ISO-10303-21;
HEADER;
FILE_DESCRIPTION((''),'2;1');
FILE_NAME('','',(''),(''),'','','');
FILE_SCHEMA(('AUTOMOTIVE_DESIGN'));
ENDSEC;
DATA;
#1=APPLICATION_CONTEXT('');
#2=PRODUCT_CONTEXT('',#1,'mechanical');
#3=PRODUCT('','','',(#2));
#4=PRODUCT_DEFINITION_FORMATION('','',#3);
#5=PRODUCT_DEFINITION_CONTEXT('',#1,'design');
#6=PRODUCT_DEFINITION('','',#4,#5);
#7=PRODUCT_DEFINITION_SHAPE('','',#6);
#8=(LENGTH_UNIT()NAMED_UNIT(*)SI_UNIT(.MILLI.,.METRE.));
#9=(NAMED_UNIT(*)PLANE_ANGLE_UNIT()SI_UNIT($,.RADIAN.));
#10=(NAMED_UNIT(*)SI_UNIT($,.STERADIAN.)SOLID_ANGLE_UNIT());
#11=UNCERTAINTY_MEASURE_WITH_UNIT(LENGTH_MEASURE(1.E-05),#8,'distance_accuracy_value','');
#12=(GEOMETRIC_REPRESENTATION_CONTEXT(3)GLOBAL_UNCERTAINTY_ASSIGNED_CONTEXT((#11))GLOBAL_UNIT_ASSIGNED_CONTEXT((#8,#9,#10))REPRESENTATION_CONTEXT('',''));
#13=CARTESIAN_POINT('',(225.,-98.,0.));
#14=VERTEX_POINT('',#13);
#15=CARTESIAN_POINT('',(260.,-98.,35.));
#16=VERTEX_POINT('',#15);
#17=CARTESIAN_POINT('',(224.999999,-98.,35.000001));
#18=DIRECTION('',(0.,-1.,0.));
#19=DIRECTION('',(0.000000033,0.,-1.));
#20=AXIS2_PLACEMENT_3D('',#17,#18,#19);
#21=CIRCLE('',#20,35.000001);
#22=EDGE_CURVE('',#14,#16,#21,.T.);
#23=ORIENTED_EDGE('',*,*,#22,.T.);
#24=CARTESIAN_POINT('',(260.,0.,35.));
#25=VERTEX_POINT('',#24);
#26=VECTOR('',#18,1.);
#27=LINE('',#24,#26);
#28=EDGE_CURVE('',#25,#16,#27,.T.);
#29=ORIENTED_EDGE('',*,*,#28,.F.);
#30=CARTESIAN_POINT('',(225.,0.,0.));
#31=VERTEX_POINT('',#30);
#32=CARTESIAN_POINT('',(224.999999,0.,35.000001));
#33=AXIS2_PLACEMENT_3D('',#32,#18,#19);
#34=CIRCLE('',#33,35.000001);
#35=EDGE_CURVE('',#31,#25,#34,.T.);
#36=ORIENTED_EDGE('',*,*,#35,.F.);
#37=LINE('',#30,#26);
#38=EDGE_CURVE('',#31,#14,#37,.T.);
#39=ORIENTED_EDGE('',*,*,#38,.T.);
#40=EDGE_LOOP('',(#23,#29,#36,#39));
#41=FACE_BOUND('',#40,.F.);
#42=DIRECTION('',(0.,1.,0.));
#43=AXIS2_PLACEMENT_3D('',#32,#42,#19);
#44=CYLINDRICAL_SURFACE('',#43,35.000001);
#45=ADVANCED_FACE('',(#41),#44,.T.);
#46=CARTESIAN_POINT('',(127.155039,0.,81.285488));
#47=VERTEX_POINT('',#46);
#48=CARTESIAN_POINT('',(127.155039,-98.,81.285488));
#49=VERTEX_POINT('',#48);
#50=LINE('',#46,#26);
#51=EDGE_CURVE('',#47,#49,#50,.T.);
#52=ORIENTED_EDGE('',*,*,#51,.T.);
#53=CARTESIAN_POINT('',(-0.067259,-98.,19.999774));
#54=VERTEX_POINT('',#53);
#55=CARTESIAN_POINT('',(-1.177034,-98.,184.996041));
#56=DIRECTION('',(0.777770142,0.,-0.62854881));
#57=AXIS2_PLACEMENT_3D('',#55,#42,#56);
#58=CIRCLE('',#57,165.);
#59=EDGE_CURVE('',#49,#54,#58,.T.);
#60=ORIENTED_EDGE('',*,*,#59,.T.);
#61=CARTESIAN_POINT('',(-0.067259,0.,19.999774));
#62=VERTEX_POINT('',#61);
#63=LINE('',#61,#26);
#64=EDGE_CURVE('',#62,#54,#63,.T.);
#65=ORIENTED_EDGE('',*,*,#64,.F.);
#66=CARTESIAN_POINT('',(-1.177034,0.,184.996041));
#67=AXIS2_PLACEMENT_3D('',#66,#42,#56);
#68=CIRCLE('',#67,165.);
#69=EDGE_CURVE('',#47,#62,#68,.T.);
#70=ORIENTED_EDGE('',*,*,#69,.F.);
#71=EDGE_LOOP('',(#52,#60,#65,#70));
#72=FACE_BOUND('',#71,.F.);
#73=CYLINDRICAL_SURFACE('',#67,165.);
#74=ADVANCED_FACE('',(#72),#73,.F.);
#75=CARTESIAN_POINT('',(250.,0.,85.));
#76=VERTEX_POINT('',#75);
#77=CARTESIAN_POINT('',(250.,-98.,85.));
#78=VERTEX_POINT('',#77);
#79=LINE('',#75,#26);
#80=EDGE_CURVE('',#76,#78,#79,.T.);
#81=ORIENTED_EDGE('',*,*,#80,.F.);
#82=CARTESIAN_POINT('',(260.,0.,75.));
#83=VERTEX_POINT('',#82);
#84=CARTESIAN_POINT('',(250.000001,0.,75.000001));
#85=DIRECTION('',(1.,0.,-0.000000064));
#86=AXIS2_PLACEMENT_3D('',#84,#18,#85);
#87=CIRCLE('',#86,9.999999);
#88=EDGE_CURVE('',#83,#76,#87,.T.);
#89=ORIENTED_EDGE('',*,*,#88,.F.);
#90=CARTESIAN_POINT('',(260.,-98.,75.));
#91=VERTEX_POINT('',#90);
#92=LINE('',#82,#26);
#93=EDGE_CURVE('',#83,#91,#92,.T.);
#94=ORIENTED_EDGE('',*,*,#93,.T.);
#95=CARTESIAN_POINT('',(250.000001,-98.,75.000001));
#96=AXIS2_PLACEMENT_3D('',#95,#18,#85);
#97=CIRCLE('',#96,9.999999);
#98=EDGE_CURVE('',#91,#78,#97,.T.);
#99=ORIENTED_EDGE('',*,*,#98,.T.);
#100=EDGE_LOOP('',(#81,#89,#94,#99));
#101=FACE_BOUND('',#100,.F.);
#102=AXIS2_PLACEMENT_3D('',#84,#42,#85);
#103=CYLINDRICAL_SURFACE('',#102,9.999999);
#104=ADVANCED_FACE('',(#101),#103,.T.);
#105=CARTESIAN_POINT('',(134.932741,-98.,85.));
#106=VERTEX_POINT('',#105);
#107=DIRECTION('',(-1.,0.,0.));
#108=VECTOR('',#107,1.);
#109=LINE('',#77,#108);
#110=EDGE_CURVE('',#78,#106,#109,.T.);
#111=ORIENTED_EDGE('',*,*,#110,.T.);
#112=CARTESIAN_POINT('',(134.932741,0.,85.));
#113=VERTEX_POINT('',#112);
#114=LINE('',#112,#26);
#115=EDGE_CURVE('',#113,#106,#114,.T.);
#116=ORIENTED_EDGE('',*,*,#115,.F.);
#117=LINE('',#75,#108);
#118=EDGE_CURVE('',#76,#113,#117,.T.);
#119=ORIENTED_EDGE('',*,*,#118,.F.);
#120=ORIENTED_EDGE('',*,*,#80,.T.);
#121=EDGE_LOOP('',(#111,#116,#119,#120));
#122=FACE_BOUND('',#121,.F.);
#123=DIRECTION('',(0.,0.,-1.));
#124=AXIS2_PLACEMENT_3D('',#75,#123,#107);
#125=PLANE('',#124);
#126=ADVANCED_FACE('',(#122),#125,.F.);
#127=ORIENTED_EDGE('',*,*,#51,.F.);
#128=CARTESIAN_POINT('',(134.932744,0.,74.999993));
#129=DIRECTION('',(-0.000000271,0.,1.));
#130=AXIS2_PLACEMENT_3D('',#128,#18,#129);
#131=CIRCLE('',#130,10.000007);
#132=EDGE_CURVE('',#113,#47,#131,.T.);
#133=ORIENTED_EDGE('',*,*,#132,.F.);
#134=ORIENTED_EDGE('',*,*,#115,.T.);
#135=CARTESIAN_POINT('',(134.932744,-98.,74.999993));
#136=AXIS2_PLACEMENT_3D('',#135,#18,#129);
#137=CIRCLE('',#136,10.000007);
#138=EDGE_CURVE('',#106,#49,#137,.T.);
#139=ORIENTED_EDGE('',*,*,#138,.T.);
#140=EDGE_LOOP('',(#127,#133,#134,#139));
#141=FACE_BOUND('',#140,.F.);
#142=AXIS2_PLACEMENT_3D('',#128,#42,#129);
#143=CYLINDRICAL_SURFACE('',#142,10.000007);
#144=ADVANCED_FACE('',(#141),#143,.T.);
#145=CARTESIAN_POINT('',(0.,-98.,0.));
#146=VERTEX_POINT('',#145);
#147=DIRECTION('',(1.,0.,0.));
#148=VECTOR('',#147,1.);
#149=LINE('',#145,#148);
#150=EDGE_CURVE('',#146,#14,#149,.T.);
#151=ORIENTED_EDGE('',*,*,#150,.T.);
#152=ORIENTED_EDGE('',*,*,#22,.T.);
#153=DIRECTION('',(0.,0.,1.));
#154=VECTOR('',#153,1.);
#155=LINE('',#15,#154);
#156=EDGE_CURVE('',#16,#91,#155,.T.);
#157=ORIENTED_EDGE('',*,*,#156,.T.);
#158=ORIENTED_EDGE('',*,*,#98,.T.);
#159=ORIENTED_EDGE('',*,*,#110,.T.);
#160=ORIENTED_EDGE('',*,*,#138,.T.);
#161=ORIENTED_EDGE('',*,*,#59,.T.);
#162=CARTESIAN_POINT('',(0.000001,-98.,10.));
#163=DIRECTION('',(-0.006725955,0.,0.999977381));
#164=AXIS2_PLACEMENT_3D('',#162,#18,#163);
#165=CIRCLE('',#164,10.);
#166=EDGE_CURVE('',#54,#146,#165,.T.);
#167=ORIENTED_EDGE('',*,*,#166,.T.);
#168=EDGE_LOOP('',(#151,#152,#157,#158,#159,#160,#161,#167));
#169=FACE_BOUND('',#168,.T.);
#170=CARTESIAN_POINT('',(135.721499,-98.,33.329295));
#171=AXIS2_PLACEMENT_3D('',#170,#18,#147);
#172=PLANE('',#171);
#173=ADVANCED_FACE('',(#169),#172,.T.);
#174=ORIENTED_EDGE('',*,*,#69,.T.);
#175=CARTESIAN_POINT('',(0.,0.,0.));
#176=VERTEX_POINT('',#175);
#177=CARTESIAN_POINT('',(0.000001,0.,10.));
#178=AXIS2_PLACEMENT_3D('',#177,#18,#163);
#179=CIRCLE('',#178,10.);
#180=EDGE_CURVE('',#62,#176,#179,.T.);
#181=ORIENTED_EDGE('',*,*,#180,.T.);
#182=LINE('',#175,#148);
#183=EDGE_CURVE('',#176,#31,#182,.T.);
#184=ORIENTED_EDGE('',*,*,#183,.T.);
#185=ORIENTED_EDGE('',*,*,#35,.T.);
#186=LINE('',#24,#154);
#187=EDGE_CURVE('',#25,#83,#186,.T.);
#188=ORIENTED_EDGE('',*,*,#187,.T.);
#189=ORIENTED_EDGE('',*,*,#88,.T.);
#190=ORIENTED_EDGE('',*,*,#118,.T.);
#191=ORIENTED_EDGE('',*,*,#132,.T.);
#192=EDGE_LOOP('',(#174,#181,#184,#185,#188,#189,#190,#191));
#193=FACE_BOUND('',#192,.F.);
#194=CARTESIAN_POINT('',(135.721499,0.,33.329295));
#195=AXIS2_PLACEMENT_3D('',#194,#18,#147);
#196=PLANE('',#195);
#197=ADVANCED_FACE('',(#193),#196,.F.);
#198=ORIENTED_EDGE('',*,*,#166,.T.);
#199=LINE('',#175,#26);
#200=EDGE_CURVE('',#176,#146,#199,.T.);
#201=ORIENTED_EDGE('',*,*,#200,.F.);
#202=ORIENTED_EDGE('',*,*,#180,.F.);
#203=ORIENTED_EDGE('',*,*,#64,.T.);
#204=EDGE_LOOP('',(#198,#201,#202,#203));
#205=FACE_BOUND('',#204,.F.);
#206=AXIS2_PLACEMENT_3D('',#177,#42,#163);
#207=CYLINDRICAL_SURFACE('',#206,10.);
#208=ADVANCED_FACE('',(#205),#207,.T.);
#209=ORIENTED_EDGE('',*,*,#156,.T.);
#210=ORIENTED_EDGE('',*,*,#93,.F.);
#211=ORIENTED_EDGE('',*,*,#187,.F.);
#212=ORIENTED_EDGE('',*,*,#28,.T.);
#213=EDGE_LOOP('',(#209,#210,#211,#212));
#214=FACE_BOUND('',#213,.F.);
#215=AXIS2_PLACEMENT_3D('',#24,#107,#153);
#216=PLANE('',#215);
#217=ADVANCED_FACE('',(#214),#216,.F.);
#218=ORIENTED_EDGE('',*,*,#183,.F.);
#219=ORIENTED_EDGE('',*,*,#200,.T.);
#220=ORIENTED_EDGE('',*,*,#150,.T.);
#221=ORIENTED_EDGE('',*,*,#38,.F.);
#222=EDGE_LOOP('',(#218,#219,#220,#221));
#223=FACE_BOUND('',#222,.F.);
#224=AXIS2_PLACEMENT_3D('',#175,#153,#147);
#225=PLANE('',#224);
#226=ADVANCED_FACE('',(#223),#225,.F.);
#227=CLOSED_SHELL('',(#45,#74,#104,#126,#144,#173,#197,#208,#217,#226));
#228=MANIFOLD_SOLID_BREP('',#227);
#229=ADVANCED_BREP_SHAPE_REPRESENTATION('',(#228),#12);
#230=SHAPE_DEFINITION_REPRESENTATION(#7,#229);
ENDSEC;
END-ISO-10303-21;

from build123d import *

# Parameters (mm, degrees)
F1_DEPTH = 98


with BuildPart() as f1:
    # F0 (on Front) → F1 (new body)
    with BuildSketch(Plane.XZ):
        with BuildLine():
            Line((250, 85), (134.932741, 85))
            ThreePointArc((134.932741, 85), (130.623152, 84.023715), (127.155039, 81.285488))
            ThreePointArc((127.155039, 81.285488), (70.431504, 36.344714), (-0.067259, 19.999774))
            ThreePointArc((-0.067259, 19.999774), (-9.999943, 9.96637), (0, 0))
            Line((0, 0), (225, 0))
            ThreePointArc((225, 0), (249.748737, 10.251263), (260, 35))
            Line((260, 35), (260, 75))
            ThreePointArc((260, 75), (257.071068, 82.071068), (250, 85))
        make_face()
    extrude(amount=F1_DEPTH)


solid = f1.part
